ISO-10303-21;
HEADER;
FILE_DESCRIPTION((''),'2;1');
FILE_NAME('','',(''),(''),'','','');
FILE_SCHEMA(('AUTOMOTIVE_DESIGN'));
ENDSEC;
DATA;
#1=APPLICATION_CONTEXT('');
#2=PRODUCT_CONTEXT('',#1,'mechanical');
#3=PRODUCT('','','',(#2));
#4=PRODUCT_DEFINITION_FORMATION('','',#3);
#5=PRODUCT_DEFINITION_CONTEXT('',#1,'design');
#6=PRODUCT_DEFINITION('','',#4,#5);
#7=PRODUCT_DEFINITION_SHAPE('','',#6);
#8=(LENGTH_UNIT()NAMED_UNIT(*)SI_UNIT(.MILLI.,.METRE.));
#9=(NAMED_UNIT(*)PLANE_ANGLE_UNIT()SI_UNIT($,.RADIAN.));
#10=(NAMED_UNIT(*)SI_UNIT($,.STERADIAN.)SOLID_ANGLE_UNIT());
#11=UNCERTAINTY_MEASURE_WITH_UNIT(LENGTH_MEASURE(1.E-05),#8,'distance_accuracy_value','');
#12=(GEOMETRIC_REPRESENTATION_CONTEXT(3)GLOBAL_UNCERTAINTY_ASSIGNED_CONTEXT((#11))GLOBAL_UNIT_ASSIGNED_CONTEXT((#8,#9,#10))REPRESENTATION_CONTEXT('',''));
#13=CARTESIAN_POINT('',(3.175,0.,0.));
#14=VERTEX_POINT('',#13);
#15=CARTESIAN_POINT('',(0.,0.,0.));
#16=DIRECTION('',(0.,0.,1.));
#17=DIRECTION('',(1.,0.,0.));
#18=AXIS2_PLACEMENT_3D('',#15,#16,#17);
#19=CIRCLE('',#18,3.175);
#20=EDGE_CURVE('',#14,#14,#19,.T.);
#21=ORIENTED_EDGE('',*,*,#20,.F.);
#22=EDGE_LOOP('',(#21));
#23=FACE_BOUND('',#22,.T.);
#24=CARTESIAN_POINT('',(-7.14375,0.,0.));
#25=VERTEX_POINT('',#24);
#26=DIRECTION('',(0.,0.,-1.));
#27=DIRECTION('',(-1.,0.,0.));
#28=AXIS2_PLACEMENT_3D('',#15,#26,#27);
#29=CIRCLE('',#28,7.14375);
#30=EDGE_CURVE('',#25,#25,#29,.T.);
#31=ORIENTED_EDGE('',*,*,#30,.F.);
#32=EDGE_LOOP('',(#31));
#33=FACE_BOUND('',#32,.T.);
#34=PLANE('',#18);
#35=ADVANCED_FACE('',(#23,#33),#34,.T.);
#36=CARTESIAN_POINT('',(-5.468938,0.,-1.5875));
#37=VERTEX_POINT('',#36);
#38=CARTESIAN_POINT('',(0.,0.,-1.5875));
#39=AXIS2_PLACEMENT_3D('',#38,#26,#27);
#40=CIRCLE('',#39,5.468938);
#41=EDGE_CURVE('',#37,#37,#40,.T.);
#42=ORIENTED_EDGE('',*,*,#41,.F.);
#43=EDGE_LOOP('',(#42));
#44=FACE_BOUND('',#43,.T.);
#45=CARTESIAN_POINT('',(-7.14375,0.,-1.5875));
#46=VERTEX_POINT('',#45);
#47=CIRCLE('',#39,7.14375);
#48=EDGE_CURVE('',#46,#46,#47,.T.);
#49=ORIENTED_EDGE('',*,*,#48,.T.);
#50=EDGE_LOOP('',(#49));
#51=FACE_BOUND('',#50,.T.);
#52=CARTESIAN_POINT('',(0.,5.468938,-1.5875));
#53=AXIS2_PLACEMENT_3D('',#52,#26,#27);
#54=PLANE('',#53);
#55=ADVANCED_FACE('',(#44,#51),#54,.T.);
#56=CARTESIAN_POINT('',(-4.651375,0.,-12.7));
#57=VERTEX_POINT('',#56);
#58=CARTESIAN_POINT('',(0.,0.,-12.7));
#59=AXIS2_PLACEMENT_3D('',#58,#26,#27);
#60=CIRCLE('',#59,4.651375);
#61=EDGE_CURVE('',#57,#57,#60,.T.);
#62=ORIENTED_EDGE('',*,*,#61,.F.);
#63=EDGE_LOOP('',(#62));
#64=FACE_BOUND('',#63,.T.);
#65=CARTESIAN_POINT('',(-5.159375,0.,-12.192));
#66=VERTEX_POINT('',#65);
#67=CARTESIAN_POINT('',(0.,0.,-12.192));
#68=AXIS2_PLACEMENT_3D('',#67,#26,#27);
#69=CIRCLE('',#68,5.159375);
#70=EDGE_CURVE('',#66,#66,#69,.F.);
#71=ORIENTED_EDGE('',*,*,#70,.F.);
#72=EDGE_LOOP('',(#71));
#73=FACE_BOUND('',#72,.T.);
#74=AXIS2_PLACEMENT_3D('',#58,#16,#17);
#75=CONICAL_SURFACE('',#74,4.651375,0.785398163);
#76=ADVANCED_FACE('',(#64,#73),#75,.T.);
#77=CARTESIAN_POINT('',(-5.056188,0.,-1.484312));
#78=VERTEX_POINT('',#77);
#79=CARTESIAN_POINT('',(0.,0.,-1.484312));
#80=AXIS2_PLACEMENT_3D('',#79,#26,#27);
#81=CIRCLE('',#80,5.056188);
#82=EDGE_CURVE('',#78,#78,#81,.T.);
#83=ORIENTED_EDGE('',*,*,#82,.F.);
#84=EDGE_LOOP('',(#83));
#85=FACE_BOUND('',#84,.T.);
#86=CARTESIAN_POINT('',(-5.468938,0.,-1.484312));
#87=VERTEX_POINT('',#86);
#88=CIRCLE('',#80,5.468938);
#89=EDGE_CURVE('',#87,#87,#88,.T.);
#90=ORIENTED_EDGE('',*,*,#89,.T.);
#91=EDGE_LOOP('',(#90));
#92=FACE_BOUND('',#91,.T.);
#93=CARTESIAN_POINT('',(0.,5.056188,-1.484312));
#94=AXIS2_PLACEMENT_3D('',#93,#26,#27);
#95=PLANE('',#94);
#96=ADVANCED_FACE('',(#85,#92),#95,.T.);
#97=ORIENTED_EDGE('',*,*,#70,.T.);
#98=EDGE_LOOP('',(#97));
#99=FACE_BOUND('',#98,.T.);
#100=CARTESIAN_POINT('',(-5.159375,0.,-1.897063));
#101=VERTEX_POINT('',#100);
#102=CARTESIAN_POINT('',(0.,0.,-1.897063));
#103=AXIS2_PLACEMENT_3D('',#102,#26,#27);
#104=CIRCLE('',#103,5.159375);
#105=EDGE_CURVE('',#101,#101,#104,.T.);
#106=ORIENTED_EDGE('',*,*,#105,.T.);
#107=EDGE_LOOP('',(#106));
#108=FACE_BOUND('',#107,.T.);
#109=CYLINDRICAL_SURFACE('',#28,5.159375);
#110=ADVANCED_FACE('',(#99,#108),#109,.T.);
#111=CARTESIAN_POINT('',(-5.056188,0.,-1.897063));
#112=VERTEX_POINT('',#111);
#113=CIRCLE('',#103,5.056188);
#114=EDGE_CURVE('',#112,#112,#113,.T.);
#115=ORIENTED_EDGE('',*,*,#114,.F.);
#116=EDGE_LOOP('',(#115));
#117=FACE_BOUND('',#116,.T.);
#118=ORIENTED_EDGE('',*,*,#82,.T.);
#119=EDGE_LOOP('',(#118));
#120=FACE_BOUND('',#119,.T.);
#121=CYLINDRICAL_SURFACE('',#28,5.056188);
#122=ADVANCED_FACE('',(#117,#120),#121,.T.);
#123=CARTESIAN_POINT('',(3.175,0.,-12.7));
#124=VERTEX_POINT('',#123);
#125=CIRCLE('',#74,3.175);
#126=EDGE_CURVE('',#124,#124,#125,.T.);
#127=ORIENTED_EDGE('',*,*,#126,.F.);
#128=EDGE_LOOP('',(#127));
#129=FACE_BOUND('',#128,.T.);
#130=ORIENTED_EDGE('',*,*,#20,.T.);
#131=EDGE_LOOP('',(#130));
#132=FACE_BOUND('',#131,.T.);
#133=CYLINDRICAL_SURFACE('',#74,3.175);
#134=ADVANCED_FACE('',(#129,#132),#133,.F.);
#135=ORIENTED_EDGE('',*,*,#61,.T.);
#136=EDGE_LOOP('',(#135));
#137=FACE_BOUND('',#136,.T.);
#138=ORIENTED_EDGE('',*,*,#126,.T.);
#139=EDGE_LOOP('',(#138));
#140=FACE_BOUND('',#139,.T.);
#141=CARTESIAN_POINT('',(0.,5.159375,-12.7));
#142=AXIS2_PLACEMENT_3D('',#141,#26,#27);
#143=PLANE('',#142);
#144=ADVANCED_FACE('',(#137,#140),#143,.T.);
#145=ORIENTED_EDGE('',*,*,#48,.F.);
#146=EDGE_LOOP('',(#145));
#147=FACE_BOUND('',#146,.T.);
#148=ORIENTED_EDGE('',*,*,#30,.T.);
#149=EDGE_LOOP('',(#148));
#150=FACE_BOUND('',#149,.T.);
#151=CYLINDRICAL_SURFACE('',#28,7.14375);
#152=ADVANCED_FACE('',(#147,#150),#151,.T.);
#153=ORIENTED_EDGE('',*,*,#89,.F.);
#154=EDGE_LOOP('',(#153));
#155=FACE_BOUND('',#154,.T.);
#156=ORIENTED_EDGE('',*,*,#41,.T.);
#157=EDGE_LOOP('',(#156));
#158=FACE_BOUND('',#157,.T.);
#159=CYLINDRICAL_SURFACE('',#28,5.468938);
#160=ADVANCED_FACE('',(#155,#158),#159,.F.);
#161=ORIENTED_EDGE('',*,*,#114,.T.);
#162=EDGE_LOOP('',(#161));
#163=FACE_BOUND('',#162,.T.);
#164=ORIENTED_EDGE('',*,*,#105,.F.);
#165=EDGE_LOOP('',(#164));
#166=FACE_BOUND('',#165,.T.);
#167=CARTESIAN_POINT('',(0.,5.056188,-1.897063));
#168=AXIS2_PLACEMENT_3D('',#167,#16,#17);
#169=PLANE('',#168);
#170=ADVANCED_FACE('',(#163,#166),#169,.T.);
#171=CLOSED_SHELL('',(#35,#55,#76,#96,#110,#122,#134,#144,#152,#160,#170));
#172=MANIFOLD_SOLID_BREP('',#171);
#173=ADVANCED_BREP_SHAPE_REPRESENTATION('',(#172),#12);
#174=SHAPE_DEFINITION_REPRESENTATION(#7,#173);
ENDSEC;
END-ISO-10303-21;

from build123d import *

# Parameters (mm, degrees)
SKETCH2_R          = 3.175
CUT_EXTRUDE1_DEPTH = 17.228257088
CHAMFER1_SIZE      = 0.508


with BuildPart() as part:
    # Sketch1 → Revolve1 (revolve)
    with BuildSketch(Plane(origin=(0, 0, 0), x_dir=(0, 0, -1), z_dir=(1, 0, 0)), mode=Mode.PRIVATE) as revolve1_sk:
        Polygon((0, 0), (0, 7.14375), (1.5875, 7.14375), (1.5875, 5.4689375), (1.4843125, 5.4689375), (1.4843125, 5.0561875), (1.8970625, 5.0561875), (1.8970625, 5.159375), (12.7, 5.159375), (12.7, 0), align=None)
    revolve(revolve1_sk.sketch.rotate(Axis((0, 0, 0), (0, 0, 1)), 90), axis=Axis((0, 0, 0), (0, 0, 1)))

    # Sketch2 → Cut-Extrude1 (cut, through all)
    with BuildSketch(Plane.XY):
        Circle(SKETCH2_R)
    extrude(amount=-CUT_EXTRUDE1_DEPTH, mode=Mode.SUBTRACT)

    # Chamfer1
    chamfer1_edges = [part.edges().sort_by_distance(p)[0] for p in [
        (5.159375, 0, -12.7),
    ]]
    chamfer(chamfer1_edges, length=CHAMFER1_SIZE)


solid = part.part
